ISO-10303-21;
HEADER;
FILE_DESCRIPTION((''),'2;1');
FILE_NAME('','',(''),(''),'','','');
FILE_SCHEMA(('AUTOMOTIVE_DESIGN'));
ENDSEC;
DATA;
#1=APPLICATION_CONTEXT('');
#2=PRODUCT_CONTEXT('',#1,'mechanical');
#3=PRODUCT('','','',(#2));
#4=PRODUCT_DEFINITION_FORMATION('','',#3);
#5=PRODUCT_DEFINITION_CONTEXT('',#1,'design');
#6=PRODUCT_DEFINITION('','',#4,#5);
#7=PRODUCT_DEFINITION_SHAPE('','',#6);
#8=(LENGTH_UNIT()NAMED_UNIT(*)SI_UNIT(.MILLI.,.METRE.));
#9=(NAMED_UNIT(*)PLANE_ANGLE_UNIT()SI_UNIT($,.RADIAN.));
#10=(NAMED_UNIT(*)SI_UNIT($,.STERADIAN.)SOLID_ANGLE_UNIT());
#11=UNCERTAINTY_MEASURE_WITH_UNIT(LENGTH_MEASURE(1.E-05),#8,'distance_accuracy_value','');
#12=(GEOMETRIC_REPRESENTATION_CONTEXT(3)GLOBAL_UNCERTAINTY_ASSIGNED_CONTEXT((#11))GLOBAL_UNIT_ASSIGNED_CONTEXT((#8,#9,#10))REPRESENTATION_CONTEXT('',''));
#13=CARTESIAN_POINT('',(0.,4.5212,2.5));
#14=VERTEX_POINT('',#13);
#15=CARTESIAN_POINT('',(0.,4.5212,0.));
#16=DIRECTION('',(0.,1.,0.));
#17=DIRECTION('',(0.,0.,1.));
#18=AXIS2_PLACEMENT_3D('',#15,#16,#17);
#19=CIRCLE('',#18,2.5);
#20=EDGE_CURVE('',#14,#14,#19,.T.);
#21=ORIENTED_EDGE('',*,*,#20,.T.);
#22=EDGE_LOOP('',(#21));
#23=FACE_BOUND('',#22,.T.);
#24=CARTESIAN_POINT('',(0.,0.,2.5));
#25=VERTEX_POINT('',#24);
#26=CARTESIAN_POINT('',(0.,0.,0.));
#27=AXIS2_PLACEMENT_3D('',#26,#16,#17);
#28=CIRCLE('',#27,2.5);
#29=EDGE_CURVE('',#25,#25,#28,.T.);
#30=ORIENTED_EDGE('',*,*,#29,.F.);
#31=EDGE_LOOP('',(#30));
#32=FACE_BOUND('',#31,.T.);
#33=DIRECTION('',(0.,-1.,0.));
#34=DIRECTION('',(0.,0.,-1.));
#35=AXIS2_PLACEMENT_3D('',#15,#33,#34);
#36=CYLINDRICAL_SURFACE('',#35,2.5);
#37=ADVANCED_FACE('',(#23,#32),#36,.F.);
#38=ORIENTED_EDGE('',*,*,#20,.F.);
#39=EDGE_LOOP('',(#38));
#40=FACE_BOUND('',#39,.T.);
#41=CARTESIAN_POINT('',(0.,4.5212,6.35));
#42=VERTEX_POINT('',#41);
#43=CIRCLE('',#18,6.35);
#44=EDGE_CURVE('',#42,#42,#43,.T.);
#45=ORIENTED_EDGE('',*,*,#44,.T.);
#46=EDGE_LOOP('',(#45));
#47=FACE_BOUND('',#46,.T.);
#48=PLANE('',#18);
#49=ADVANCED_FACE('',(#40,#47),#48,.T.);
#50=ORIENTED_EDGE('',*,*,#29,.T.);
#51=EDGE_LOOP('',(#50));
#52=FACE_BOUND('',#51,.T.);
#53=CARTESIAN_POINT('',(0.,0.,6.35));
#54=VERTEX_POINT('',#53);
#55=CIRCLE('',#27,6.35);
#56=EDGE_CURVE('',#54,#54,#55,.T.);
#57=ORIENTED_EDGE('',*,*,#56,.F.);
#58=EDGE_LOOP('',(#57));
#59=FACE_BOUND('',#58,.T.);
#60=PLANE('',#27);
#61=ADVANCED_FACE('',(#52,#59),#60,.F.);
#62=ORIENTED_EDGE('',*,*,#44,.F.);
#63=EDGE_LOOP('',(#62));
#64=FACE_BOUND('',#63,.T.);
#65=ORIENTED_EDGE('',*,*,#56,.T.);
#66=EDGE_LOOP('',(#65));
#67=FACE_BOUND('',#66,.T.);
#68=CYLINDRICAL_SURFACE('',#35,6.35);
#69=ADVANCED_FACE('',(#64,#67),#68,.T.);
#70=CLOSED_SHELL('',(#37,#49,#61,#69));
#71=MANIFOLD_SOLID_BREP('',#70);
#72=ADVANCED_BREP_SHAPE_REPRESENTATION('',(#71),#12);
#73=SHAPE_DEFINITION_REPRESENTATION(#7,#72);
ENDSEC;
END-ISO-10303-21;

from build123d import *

# Parameters (mm, degrees)
SKETCH1_R           = 6.35
SKETCH1_R_2         = 2.5
BOSS_EXTRUDE1_DEPTH = 4.5212


with BuildPart() as part:
    # Sketch1 → Boss-Extrude1 (new body)
    with BuildSketch(Plane(origin=(0, 0, 0), x_dir=(1, 0, 0), z_dir=(0, 1, 0))):
        Circle(SKETCH1_R)
        Circle(SKETCH1_R_2, mode=Mode.SUBTRACT)
    extrude(amount=BOSS_EXTRUDE1_DEPTH)


solid = part.part
